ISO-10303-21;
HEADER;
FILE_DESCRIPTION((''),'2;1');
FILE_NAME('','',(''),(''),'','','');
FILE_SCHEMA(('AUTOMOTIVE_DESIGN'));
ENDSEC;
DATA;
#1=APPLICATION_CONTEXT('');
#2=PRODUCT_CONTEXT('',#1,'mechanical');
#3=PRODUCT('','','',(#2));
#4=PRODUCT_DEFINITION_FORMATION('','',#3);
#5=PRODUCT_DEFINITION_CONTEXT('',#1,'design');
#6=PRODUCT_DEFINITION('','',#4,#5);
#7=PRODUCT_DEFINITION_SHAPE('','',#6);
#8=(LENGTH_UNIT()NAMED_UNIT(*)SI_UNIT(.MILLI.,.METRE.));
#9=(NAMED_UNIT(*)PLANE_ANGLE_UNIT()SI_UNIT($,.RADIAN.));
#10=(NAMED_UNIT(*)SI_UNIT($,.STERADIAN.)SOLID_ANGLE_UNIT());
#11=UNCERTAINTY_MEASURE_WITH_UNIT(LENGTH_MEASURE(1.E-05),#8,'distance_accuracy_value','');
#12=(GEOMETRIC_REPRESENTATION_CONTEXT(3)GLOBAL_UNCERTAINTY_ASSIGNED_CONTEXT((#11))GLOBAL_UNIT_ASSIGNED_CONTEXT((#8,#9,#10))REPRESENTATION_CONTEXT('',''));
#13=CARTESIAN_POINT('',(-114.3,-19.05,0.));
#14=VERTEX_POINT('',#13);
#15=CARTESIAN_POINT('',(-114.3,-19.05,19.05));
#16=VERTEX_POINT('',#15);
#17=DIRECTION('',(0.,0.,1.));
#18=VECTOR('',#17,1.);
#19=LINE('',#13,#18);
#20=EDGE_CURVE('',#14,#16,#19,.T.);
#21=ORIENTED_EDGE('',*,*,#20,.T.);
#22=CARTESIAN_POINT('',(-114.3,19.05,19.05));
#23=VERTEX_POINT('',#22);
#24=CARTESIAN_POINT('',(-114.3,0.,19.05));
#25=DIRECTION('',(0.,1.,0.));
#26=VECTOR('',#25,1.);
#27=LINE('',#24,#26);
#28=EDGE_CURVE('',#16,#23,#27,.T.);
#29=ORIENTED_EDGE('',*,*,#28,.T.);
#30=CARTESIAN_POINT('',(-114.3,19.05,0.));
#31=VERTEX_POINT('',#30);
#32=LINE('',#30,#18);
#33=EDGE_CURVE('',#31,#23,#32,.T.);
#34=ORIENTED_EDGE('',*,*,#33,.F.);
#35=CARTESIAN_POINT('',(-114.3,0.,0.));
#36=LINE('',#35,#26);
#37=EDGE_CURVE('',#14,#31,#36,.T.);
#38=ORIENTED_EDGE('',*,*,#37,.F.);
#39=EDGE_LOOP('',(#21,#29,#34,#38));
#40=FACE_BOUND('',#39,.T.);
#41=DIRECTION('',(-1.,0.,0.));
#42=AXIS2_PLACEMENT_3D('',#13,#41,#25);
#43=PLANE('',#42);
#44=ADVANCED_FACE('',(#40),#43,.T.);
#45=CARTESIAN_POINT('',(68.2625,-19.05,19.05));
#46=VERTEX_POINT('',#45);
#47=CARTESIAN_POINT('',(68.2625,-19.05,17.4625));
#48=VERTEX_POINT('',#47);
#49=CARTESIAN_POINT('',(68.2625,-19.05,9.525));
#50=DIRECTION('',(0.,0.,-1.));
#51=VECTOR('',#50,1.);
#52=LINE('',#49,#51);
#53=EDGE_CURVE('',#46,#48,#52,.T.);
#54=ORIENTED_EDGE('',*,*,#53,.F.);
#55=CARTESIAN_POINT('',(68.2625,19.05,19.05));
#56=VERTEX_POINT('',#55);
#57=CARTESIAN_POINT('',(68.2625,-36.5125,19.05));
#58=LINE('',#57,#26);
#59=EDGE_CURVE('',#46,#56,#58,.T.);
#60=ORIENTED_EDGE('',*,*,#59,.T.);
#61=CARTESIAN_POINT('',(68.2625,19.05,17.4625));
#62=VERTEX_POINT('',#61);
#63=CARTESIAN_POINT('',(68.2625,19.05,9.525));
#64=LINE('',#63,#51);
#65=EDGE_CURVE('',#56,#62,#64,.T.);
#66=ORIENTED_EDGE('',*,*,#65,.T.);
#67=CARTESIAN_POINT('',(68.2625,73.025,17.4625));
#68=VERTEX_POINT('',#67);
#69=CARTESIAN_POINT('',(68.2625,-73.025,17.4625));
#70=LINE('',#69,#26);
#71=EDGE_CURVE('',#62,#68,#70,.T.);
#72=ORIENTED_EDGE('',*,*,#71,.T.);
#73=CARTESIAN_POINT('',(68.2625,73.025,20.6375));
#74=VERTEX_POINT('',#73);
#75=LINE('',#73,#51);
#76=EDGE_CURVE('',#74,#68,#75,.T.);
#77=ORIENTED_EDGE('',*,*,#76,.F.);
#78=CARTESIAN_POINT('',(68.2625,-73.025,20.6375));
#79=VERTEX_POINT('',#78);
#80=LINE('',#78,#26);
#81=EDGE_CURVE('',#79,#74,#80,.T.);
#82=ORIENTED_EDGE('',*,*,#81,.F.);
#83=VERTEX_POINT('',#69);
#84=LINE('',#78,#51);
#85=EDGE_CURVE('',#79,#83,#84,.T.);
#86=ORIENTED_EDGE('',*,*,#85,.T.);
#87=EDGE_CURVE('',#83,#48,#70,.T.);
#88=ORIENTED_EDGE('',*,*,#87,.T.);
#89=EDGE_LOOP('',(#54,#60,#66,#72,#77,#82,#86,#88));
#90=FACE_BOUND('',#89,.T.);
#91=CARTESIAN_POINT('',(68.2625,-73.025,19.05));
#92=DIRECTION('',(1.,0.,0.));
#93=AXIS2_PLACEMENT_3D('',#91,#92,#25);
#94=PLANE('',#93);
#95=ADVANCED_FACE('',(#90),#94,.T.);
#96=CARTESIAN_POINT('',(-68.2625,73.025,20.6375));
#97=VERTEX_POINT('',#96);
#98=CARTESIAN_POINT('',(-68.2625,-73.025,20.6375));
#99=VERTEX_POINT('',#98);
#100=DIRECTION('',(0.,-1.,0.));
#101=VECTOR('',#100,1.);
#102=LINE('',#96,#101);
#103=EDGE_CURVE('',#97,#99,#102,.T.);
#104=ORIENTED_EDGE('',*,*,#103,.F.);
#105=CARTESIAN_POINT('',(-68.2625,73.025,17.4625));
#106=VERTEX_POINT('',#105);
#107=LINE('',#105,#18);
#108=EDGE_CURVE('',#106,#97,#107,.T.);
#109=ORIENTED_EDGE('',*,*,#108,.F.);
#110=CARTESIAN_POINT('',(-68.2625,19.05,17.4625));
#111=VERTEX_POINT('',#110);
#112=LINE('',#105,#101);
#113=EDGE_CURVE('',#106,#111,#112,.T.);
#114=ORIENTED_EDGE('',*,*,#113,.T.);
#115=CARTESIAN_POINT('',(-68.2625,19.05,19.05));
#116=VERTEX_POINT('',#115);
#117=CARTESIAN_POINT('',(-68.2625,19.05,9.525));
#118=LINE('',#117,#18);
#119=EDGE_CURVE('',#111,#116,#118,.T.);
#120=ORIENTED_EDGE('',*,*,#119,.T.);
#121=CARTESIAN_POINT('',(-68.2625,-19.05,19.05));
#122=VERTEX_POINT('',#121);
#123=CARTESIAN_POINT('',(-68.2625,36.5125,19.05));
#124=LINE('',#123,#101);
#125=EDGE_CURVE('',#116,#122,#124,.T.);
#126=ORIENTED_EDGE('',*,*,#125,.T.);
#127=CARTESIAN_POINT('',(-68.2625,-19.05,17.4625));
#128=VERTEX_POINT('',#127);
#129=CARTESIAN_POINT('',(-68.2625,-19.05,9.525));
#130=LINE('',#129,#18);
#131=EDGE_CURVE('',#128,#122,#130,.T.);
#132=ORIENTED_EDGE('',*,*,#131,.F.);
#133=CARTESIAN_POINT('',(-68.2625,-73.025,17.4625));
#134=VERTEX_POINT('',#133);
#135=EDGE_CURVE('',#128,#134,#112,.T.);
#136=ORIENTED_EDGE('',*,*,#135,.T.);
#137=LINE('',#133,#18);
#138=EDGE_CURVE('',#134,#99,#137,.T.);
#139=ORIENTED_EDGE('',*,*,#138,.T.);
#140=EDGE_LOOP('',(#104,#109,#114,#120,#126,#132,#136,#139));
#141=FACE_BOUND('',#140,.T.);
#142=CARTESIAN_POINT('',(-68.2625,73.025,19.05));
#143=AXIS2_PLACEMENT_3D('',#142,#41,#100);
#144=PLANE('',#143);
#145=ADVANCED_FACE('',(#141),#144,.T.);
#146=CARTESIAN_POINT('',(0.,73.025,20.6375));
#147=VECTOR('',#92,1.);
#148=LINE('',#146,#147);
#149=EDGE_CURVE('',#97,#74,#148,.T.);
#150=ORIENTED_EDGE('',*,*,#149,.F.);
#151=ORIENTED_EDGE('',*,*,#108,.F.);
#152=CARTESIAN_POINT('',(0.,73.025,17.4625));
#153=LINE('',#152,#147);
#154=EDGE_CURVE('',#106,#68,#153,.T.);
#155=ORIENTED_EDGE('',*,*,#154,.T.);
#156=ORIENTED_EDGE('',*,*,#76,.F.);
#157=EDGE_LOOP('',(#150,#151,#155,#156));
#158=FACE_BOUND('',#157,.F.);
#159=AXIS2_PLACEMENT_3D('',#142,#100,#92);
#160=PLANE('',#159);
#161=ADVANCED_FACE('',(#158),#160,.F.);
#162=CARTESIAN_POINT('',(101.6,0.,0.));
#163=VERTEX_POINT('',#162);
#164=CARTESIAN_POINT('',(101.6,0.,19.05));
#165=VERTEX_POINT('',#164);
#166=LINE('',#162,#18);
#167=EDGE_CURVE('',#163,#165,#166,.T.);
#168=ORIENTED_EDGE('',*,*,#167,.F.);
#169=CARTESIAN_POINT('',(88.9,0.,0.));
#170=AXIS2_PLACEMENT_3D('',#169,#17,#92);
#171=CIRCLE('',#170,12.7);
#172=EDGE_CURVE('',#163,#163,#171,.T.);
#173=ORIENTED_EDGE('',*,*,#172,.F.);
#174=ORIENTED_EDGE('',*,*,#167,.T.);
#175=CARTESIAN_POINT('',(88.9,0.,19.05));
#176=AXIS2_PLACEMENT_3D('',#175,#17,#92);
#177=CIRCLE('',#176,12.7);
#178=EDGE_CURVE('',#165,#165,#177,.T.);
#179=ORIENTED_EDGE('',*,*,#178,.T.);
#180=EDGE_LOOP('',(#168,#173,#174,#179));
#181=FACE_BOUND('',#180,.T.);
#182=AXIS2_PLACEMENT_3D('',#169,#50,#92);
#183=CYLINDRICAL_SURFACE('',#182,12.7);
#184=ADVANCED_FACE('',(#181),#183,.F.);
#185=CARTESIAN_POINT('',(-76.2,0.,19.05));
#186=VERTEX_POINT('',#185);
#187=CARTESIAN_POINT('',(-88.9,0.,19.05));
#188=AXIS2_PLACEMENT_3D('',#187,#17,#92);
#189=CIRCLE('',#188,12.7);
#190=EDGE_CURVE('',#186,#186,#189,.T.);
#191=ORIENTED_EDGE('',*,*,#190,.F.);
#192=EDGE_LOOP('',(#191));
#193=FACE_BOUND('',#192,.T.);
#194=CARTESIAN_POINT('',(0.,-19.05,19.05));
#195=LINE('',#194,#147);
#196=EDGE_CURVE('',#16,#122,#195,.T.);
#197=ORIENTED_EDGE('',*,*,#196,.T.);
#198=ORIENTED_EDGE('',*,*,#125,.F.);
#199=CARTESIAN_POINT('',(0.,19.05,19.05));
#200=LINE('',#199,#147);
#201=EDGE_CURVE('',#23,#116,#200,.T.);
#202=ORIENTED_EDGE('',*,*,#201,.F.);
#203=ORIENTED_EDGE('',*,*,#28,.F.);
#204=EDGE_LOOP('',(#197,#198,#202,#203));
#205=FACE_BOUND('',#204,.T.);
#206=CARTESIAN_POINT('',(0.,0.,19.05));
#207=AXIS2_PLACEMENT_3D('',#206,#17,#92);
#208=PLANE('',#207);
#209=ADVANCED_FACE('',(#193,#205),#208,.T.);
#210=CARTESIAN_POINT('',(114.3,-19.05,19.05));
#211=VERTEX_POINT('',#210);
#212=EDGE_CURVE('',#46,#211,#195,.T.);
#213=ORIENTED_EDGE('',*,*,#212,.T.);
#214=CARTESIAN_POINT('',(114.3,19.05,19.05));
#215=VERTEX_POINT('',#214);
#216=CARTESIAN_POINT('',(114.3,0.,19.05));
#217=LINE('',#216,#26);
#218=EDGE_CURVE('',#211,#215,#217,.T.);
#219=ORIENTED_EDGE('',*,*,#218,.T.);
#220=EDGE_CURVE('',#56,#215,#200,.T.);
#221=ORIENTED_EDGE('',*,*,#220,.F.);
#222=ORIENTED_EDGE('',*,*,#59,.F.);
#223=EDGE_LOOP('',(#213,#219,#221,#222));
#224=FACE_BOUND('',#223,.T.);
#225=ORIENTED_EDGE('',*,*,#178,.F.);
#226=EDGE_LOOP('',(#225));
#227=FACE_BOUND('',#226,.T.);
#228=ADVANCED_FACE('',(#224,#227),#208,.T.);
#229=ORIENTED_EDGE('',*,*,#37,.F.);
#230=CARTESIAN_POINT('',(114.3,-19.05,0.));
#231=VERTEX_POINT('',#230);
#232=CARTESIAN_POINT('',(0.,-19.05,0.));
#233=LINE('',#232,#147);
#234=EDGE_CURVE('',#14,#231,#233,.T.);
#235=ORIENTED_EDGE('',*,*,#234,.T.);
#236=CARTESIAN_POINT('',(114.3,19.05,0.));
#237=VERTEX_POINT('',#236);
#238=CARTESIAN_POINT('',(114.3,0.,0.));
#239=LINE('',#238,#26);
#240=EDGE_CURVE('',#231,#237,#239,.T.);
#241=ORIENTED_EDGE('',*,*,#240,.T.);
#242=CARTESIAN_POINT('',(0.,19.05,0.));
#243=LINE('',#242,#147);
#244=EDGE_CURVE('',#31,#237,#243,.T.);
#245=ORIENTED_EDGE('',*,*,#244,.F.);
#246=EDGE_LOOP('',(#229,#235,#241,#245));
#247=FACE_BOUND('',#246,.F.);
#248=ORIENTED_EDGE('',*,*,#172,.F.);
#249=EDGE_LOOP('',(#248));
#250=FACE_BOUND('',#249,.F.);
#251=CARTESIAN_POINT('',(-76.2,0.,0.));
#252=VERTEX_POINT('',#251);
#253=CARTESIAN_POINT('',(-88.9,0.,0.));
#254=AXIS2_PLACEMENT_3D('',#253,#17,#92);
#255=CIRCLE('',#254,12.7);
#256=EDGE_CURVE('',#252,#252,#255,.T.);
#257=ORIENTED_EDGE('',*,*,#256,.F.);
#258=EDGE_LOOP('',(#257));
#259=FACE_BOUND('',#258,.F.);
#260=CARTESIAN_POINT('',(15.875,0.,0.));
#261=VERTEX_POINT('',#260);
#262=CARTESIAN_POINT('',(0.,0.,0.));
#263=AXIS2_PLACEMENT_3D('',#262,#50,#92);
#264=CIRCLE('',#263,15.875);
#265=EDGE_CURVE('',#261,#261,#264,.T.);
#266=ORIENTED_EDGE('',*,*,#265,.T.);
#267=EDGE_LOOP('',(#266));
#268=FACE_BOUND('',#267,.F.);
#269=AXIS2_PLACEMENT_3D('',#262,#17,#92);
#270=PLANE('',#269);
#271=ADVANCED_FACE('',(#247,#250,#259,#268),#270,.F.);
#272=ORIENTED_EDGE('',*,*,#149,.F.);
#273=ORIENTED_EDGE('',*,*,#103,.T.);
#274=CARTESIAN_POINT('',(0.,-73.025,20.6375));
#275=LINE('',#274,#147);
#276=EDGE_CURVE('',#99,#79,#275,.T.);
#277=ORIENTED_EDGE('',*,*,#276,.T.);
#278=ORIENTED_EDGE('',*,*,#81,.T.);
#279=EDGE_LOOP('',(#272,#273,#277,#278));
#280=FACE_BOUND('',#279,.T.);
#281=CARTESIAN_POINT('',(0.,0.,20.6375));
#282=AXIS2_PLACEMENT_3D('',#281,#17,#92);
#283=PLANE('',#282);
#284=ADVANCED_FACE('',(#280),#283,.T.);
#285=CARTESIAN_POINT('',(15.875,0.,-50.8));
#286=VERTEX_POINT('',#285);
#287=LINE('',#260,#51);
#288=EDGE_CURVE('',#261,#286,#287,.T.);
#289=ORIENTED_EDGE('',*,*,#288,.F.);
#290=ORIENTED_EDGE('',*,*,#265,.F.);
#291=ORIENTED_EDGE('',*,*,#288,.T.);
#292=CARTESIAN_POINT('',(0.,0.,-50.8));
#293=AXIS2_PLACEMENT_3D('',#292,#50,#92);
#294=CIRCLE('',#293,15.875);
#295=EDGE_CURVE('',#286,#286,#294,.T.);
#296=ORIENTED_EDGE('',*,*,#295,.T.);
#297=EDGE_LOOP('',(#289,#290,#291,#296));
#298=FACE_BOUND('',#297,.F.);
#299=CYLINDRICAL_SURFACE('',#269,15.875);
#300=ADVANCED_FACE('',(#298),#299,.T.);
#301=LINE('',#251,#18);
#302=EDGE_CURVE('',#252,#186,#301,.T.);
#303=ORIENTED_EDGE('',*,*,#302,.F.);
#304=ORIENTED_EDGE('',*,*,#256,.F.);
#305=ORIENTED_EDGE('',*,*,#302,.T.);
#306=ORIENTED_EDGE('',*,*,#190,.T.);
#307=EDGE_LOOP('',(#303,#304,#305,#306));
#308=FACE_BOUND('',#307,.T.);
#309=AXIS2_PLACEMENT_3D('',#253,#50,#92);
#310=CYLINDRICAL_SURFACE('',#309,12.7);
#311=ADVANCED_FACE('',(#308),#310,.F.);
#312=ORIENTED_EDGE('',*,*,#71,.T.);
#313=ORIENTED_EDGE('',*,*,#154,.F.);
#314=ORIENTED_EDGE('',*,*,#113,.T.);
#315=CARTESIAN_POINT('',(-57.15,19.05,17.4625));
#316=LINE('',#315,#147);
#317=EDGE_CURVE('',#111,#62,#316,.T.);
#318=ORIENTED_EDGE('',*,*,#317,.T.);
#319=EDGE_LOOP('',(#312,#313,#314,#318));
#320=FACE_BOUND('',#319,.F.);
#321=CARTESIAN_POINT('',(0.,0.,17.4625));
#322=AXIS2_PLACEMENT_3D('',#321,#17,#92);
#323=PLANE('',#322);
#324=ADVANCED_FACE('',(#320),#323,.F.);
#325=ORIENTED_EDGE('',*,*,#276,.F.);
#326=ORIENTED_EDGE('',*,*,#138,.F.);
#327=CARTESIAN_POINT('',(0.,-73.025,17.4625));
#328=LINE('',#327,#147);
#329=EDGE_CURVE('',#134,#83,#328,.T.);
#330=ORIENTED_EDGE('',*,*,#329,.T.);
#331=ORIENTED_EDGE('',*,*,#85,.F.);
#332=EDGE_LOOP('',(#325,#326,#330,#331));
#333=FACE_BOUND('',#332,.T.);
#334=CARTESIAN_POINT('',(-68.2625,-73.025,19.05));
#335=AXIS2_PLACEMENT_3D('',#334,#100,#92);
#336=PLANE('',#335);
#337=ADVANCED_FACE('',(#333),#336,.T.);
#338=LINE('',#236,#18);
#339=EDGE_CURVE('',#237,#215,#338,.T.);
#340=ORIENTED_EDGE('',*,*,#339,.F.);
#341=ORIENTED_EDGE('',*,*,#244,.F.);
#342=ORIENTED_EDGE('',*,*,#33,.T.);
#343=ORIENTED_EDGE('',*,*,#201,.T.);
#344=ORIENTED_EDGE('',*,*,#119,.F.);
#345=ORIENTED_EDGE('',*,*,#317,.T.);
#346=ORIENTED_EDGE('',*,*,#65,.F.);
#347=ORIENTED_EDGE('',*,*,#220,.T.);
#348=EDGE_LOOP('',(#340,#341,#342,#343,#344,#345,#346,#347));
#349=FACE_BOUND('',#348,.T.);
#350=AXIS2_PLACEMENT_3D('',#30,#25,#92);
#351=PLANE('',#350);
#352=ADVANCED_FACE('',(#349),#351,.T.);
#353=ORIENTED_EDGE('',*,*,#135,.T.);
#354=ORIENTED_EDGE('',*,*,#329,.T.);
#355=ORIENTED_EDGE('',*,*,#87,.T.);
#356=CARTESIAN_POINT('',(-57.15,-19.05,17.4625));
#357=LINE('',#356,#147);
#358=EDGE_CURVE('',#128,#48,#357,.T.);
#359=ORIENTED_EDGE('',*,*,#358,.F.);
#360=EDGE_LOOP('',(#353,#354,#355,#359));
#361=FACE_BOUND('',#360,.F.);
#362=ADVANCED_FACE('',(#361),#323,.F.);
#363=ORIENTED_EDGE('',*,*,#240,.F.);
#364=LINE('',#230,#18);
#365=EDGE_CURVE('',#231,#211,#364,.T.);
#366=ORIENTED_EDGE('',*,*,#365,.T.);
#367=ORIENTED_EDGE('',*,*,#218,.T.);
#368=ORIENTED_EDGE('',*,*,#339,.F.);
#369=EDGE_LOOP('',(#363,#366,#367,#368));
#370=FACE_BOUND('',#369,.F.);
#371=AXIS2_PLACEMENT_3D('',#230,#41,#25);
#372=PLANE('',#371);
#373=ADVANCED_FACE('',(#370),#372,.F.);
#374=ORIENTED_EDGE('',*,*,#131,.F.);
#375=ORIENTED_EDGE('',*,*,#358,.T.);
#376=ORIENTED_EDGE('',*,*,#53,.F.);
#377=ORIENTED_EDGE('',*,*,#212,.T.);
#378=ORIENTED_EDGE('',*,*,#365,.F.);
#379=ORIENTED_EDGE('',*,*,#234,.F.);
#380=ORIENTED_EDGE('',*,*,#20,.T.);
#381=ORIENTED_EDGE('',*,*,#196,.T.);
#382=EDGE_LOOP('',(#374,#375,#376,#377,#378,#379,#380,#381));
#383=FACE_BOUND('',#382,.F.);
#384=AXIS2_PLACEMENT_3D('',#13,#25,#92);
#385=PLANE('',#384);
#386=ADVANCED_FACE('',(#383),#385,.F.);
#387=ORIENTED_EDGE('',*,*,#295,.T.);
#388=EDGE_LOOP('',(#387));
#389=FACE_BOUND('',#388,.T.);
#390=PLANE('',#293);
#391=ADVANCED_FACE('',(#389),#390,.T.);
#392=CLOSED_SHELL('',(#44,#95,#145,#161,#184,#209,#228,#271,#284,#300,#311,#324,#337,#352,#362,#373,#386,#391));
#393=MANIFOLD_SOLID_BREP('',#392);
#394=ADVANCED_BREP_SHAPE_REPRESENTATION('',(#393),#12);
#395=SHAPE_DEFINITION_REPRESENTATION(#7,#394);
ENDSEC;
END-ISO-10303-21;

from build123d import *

# Parameters (mm, degrees)
F0_W     = 228.6
F0_H     = 38.1
F0_R     = 12.7
F1_DEPTH = 19.05
F2_W     = 136.525
F2_H     = 38.1
F2_H_2   = 53.975
F3_DEPTH = 1.5875
F4_R     = 15.875
F5_DEPTH = 50.8


with BuildPart() as f1:
    # F0 (on Top) → F1 (new body)
    with BuildSketch(Plane.XY):
        Rectangle(F0_W, F0_H)
        with Locations((-88.9, 0)):
            Circle(F0_R, mode=Mode.SUBTRACT)
        with Locations((88.9, 0)):
            Circle(F0_R, mode=Mode.SUBTRACT)
    extrude(amount=F1_DEPTH)

    # F2 (on face) → F3 (join, symmetric)
    with BuildSketch(Plane.XY.offset(19.05)):
        Rectangle(F2_W, F2_H)
        with Locations((0, 46.0375)):
            Rectangle(F2_W, F2_H_2)
        with Locations((0, -46.0375)):
            Rectangle(F2_W, F2_H_2)
    extrude(amount=F3_DEPTH, both=True)

    # F4 (on face) → F5 (join)
    with BuildSketch(Plane(origin=(0, 0, 0), x_dir=(1, 0, 0), z_dir=(0, 0, -1))):
        Circle(F4_R)
    extrude(amount=F5_DEPTH)


solid = f1.part
